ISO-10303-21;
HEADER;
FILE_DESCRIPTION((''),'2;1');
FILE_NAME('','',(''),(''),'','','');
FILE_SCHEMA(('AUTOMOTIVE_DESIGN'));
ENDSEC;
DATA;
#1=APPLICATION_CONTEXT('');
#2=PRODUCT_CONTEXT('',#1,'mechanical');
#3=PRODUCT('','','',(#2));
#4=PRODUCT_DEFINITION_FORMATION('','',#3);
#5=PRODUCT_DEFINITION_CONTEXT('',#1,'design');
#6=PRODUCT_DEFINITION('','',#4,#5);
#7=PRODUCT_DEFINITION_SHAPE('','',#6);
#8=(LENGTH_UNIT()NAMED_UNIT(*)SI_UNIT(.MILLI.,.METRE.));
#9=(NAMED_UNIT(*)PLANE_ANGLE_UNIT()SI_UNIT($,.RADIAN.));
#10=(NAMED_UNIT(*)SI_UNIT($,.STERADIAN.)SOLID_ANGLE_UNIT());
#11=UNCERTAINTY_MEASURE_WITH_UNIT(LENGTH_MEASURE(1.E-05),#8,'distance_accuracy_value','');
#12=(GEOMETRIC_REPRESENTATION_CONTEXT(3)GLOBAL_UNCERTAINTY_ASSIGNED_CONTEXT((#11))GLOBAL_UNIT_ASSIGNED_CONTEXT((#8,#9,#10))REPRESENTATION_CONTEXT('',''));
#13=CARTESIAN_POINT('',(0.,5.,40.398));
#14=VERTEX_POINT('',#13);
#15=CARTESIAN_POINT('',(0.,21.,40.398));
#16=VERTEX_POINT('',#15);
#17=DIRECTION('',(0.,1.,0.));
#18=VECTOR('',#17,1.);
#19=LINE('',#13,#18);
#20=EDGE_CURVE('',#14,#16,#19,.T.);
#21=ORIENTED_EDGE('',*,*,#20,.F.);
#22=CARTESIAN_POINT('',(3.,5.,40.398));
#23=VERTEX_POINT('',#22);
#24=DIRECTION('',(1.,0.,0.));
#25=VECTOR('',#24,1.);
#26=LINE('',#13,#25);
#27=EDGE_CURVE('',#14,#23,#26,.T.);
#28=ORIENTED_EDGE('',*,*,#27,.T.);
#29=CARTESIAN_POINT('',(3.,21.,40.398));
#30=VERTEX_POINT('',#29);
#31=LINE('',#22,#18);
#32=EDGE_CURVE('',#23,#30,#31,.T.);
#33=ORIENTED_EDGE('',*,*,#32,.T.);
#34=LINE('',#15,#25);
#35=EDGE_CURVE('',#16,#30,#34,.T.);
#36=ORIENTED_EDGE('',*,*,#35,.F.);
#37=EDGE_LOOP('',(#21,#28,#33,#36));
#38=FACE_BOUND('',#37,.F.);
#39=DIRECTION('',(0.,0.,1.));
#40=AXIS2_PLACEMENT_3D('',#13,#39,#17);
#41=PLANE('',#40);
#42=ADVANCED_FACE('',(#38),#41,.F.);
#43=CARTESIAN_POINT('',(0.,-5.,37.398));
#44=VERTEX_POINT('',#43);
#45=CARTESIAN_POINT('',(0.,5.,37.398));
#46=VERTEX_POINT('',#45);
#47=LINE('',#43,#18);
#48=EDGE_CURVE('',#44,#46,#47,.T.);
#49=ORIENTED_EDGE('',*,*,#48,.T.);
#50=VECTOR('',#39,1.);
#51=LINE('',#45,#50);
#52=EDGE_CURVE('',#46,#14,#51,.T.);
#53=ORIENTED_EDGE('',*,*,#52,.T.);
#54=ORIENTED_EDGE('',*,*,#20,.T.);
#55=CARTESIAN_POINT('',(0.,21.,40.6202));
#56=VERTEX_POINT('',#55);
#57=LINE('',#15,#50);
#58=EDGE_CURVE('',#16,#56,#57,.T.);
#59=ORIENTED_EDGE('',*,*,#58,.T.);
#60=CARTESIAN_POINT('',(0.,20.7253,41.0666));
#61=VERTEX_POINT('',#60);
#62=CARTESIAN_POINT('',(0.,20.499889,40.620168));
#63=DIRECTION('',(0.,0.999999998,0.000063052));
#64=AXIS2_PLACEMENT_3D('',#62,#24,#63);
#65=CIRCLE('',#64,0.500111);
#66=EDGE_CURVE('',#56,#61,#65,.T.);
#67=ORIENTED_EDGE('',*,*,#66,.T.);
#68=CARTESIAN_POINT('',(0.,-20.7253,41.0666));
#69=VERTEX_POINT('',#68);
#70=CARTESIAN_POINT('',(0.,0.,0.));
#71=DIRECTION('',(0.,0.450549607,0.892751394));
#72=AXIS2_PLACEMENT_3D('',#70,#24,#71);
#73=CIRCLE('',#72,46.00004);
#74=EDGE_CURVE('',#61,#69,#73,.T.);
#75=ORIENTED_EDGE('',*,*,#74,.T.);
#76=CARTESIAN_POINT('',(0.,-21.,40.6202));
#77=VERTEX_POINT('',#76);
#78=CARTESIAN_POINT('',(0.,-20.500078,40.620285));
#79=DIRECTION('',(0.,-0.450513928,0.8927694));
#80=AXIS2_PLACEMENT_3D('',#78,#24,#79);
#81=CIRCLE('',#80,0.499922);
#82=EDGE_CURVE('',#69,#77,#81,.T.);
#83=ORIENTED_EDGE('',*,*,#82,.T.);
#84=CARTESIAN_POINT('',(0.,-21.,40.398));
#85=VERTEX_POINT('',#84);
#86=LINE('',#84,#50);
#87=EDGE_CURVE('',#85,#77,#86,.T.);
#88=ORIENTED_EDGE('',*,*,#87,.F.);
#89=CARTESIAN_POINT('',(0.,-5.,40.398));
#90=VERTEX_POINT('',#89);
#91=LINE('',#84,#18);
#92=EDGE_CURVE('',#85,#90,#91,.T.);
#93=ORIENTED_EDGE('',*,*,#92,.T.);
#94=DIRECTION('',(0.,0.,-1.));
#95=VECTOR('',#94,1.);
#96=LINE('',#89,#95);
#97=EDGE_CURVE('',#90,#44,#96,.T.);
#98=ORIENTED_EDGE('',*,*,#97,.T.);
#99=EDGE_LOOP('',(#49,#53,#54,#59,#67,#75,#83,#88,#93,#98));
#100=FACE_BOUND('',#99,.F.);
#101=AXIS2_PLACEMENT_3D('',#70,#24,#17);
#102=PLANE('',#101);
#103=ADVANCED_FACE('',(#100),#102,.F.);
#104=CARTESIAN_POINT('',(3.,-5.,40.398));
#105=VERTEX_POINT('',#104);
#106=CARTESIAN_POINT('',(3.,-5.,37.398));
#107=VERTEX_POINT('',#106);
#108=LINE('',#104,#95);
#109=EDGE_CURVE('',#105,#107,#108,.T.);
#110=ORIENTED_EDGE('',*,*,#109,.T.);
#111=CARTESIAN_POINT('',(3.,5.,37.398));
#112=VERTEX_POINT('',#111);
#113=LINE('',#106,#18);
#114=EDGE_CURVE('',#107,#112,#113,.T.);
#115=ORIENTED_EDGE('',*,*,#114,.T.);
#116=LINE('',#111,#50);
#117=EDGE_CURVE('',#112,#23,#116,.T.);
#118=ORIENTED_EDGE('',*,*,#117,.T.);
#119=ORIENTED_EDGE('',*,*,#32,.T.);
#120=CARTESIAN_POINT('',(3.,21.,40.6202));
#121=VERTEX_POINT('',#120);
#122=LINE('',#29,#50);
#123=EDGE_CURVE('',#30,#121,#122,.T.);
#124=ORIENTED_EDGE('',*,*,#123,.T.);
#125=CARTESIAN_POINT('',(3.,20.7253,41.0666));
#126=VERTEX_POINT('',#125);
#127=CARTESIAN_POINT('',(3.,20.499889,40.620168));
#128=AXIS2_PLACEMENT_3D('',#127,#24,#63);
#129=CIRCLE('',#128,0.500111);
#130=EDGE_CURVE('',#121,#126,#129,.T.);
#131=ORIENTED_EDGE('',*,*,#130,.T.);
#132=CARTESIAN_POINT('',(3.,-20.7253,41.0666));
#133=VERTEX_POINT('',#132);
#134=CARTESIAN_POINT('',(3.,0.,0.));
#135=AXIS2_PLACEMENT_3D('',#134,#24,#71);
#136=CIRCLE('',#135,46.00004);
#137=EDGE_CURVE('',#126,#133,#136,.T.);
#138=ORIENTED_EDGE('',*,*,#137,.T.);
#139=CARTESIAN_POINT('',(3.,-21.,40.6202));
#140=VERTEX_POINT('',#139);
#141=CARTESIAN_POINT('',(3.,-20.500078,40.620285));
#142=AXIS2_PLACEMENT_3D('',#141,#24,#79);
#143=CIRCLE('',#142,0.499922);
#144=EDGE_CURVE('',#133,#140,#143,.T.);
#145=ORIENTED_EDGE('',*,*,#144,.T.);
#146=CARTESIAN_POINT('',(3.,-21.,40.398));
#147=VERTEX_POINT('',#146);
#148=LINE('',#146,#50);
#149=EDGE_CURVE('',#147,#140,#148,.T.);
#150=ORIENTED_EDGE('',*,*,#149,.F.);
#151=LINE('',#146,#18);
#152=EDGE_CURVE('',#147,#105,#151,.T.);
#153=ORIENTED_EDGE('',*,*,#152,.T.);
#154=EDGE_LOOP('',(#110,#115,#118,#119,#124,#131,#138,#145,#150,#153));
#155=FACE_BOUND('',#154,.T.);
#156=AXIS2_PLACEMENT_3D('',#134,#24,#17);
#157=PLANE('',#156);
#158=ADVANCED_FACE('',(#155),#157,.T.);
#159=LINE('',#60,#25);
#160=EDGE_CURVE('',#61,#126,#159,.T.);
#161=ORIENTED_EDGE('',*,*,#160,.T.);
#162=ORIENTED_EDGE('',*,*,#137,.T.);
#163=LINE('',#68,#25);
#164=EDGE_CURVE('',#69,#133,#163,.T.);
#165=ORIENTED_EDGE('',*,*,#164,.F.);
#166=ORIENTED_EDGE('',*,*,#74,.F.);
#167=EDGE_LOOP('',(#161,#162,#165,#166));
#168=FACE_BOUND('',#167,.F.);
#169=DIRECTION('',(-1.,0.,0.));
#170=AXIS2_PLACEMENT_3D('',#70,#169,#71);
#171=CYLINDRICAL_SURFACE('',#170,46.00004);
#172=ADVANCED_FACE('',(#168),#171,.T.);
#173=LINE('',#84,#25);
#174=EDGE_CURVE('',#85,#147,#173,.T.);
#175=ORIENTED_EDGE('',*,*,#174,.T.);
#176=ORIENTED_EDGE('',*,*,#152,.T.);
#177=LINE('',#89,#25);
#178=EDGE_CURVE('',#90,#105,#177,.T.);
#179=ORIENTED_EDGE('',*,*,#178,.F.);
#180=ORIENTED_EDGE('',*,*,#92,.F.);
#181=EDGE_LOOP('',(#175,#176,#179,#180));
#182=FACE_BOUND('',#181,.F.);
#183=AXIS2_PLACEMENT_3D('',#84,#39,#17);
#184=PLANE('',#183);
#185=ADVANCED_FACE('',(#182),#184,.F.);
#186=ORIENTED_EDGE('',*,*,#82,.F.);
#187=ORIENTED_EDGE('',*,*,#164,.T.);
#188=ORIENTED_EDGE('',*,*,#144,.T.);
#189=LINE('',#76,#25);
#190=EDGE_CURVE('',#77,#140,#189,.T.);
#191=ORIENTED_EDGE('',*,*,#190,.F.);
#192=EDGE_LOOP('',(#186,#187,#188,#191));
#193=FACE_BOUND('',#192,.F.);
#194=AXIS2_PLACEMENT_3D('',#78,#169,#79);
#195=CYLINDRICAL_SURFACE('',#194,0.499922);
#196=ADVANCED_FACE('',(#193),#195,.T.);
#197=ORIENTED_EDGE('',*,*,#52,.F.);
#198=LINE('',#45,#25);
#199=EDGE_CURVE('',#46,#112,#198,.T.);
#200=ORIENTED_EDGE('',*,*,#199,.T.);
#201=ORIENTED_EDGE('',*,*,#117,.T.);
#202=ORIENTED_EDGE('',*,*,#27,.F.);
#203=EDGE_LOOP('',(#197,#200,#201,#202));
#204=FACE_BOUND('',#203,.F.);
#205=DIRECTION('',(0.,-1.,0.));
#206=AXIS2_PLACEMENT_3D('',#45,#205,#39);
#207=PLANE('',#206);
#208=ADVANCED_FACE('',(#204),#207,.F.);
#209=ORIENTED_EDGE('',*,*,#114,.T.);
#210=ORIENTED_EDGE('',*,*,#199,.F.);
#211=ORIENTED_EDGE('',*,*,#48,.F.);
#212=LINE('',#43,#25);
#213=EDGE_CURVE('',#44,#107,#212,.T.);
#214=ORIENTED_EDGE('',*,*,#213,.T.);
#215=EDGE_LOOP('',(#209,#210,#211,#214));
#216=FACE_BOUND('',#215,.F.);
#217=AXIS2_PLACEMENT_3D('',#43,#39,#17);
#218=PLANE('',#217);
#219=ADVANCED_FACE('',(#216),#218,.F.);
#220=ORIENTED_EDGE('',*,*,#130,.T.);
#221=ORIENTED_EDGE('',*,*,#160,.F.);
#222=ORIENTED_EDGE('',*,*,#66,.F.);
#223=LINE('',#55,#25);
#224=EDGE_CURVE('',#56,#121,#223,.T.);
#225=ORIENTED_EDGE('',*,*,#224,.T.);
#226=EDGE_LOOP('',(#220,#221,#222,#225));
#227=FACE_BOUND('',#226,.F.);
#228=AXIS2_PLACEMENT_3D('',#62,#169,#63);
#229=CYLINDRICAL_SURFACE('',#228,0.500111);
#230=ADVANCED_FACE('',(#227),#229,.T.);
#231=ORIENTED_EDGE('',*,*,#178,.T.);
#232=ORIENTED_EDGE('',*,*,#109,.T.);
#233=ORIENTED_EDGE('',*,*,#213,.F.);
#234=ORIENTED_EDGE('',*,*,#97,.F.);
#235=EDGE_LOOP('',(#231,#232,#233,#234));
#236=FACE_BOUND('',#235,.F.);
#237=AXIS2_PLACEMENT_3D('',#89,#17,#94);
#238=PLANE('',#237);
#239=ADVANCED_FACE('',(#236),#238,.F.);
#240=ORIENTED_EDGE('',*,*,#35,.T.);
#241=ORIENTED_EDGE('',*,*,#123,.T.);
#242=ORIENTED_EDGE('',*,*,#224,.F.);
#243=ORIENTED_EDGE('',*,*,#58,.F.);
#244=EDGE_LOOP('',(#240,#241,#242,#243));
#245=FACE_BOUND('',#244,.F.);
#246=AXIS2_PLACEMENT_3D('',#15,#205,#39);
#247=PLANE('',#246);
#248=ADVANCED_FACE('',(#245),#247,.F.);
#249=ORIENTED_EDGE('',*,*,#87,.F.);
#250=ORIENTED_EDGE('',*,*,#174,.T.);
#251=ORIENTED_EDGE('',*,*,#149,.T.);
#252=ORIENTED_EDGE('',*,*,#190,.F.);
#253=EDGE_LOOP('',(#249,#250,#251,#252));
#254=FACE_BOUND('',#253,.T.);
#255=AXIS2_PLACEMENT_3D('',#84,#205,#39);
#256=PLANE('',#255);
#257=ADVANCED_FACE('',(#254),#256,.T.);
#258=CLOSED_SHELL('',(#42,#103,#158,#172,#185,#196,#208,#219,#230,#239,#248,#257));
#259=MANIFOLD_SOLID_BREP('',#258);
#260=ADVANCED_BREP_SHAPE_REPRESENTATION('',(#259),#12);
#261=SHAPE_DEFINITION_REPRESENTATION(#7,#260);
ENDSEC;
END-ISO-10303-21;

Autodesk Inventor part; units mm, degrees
ref_plane "YZ Plane" through (0, 0, 0) normal (1, 0, 0) x (0, 1, 0)
ref_plane "XZ Plane" through (0, 0, 0) normal (0, 1, 0) x (-1, 0, 0)
ref_plane "XY Plane" through (0, 0, 0) normal (0, 0, 1) x (1, 0, 0)
sketch "Sketch1" plane through (0, 0, 0) normal (1, 0, 0) x (0, 1, 0)
  line L0 (-5, 40.398) -> (-5, 37.398)
  line L1 (-5, 37.398) -> (5, 37.398)
  line L2 (5, 37.398) -> (5, 40.398)
  line L3 (-21, 40.398) -> (-5, 40.398)
  line L4 (5, 40.398) -> (21, 40.398)
  line L5 (-21, 40.398) -> (-21, 40.6202)
  line L6 (21, 40.398) -> (21, 40.6202)
  arc A0 (-20.7253, 41.0666) -> (-21, 40.6202) centre (-20.5, 40.6202) ccw
  arc A1 (21, 40.6202) -> (20.7253, 41.0666) centre (20.5, 40.6202) ccw
  arc A2 (20.7253, 41.0666) -> (-20.7253, 41.0666) centre (0, 0) ccw
  point P0 (0, 37.398)
  dimension "d3" = 10
  dimension "d6" = 3
  dimension "d7" = 42
  dimension "d8" = 16
  dimension "d9" = 0.5
  dimension "d10" = 37.398
extrude "Extrusion1" add sketch "Sketch1" along normal blind 3
properties part number "Camera Blinder 25090213"
